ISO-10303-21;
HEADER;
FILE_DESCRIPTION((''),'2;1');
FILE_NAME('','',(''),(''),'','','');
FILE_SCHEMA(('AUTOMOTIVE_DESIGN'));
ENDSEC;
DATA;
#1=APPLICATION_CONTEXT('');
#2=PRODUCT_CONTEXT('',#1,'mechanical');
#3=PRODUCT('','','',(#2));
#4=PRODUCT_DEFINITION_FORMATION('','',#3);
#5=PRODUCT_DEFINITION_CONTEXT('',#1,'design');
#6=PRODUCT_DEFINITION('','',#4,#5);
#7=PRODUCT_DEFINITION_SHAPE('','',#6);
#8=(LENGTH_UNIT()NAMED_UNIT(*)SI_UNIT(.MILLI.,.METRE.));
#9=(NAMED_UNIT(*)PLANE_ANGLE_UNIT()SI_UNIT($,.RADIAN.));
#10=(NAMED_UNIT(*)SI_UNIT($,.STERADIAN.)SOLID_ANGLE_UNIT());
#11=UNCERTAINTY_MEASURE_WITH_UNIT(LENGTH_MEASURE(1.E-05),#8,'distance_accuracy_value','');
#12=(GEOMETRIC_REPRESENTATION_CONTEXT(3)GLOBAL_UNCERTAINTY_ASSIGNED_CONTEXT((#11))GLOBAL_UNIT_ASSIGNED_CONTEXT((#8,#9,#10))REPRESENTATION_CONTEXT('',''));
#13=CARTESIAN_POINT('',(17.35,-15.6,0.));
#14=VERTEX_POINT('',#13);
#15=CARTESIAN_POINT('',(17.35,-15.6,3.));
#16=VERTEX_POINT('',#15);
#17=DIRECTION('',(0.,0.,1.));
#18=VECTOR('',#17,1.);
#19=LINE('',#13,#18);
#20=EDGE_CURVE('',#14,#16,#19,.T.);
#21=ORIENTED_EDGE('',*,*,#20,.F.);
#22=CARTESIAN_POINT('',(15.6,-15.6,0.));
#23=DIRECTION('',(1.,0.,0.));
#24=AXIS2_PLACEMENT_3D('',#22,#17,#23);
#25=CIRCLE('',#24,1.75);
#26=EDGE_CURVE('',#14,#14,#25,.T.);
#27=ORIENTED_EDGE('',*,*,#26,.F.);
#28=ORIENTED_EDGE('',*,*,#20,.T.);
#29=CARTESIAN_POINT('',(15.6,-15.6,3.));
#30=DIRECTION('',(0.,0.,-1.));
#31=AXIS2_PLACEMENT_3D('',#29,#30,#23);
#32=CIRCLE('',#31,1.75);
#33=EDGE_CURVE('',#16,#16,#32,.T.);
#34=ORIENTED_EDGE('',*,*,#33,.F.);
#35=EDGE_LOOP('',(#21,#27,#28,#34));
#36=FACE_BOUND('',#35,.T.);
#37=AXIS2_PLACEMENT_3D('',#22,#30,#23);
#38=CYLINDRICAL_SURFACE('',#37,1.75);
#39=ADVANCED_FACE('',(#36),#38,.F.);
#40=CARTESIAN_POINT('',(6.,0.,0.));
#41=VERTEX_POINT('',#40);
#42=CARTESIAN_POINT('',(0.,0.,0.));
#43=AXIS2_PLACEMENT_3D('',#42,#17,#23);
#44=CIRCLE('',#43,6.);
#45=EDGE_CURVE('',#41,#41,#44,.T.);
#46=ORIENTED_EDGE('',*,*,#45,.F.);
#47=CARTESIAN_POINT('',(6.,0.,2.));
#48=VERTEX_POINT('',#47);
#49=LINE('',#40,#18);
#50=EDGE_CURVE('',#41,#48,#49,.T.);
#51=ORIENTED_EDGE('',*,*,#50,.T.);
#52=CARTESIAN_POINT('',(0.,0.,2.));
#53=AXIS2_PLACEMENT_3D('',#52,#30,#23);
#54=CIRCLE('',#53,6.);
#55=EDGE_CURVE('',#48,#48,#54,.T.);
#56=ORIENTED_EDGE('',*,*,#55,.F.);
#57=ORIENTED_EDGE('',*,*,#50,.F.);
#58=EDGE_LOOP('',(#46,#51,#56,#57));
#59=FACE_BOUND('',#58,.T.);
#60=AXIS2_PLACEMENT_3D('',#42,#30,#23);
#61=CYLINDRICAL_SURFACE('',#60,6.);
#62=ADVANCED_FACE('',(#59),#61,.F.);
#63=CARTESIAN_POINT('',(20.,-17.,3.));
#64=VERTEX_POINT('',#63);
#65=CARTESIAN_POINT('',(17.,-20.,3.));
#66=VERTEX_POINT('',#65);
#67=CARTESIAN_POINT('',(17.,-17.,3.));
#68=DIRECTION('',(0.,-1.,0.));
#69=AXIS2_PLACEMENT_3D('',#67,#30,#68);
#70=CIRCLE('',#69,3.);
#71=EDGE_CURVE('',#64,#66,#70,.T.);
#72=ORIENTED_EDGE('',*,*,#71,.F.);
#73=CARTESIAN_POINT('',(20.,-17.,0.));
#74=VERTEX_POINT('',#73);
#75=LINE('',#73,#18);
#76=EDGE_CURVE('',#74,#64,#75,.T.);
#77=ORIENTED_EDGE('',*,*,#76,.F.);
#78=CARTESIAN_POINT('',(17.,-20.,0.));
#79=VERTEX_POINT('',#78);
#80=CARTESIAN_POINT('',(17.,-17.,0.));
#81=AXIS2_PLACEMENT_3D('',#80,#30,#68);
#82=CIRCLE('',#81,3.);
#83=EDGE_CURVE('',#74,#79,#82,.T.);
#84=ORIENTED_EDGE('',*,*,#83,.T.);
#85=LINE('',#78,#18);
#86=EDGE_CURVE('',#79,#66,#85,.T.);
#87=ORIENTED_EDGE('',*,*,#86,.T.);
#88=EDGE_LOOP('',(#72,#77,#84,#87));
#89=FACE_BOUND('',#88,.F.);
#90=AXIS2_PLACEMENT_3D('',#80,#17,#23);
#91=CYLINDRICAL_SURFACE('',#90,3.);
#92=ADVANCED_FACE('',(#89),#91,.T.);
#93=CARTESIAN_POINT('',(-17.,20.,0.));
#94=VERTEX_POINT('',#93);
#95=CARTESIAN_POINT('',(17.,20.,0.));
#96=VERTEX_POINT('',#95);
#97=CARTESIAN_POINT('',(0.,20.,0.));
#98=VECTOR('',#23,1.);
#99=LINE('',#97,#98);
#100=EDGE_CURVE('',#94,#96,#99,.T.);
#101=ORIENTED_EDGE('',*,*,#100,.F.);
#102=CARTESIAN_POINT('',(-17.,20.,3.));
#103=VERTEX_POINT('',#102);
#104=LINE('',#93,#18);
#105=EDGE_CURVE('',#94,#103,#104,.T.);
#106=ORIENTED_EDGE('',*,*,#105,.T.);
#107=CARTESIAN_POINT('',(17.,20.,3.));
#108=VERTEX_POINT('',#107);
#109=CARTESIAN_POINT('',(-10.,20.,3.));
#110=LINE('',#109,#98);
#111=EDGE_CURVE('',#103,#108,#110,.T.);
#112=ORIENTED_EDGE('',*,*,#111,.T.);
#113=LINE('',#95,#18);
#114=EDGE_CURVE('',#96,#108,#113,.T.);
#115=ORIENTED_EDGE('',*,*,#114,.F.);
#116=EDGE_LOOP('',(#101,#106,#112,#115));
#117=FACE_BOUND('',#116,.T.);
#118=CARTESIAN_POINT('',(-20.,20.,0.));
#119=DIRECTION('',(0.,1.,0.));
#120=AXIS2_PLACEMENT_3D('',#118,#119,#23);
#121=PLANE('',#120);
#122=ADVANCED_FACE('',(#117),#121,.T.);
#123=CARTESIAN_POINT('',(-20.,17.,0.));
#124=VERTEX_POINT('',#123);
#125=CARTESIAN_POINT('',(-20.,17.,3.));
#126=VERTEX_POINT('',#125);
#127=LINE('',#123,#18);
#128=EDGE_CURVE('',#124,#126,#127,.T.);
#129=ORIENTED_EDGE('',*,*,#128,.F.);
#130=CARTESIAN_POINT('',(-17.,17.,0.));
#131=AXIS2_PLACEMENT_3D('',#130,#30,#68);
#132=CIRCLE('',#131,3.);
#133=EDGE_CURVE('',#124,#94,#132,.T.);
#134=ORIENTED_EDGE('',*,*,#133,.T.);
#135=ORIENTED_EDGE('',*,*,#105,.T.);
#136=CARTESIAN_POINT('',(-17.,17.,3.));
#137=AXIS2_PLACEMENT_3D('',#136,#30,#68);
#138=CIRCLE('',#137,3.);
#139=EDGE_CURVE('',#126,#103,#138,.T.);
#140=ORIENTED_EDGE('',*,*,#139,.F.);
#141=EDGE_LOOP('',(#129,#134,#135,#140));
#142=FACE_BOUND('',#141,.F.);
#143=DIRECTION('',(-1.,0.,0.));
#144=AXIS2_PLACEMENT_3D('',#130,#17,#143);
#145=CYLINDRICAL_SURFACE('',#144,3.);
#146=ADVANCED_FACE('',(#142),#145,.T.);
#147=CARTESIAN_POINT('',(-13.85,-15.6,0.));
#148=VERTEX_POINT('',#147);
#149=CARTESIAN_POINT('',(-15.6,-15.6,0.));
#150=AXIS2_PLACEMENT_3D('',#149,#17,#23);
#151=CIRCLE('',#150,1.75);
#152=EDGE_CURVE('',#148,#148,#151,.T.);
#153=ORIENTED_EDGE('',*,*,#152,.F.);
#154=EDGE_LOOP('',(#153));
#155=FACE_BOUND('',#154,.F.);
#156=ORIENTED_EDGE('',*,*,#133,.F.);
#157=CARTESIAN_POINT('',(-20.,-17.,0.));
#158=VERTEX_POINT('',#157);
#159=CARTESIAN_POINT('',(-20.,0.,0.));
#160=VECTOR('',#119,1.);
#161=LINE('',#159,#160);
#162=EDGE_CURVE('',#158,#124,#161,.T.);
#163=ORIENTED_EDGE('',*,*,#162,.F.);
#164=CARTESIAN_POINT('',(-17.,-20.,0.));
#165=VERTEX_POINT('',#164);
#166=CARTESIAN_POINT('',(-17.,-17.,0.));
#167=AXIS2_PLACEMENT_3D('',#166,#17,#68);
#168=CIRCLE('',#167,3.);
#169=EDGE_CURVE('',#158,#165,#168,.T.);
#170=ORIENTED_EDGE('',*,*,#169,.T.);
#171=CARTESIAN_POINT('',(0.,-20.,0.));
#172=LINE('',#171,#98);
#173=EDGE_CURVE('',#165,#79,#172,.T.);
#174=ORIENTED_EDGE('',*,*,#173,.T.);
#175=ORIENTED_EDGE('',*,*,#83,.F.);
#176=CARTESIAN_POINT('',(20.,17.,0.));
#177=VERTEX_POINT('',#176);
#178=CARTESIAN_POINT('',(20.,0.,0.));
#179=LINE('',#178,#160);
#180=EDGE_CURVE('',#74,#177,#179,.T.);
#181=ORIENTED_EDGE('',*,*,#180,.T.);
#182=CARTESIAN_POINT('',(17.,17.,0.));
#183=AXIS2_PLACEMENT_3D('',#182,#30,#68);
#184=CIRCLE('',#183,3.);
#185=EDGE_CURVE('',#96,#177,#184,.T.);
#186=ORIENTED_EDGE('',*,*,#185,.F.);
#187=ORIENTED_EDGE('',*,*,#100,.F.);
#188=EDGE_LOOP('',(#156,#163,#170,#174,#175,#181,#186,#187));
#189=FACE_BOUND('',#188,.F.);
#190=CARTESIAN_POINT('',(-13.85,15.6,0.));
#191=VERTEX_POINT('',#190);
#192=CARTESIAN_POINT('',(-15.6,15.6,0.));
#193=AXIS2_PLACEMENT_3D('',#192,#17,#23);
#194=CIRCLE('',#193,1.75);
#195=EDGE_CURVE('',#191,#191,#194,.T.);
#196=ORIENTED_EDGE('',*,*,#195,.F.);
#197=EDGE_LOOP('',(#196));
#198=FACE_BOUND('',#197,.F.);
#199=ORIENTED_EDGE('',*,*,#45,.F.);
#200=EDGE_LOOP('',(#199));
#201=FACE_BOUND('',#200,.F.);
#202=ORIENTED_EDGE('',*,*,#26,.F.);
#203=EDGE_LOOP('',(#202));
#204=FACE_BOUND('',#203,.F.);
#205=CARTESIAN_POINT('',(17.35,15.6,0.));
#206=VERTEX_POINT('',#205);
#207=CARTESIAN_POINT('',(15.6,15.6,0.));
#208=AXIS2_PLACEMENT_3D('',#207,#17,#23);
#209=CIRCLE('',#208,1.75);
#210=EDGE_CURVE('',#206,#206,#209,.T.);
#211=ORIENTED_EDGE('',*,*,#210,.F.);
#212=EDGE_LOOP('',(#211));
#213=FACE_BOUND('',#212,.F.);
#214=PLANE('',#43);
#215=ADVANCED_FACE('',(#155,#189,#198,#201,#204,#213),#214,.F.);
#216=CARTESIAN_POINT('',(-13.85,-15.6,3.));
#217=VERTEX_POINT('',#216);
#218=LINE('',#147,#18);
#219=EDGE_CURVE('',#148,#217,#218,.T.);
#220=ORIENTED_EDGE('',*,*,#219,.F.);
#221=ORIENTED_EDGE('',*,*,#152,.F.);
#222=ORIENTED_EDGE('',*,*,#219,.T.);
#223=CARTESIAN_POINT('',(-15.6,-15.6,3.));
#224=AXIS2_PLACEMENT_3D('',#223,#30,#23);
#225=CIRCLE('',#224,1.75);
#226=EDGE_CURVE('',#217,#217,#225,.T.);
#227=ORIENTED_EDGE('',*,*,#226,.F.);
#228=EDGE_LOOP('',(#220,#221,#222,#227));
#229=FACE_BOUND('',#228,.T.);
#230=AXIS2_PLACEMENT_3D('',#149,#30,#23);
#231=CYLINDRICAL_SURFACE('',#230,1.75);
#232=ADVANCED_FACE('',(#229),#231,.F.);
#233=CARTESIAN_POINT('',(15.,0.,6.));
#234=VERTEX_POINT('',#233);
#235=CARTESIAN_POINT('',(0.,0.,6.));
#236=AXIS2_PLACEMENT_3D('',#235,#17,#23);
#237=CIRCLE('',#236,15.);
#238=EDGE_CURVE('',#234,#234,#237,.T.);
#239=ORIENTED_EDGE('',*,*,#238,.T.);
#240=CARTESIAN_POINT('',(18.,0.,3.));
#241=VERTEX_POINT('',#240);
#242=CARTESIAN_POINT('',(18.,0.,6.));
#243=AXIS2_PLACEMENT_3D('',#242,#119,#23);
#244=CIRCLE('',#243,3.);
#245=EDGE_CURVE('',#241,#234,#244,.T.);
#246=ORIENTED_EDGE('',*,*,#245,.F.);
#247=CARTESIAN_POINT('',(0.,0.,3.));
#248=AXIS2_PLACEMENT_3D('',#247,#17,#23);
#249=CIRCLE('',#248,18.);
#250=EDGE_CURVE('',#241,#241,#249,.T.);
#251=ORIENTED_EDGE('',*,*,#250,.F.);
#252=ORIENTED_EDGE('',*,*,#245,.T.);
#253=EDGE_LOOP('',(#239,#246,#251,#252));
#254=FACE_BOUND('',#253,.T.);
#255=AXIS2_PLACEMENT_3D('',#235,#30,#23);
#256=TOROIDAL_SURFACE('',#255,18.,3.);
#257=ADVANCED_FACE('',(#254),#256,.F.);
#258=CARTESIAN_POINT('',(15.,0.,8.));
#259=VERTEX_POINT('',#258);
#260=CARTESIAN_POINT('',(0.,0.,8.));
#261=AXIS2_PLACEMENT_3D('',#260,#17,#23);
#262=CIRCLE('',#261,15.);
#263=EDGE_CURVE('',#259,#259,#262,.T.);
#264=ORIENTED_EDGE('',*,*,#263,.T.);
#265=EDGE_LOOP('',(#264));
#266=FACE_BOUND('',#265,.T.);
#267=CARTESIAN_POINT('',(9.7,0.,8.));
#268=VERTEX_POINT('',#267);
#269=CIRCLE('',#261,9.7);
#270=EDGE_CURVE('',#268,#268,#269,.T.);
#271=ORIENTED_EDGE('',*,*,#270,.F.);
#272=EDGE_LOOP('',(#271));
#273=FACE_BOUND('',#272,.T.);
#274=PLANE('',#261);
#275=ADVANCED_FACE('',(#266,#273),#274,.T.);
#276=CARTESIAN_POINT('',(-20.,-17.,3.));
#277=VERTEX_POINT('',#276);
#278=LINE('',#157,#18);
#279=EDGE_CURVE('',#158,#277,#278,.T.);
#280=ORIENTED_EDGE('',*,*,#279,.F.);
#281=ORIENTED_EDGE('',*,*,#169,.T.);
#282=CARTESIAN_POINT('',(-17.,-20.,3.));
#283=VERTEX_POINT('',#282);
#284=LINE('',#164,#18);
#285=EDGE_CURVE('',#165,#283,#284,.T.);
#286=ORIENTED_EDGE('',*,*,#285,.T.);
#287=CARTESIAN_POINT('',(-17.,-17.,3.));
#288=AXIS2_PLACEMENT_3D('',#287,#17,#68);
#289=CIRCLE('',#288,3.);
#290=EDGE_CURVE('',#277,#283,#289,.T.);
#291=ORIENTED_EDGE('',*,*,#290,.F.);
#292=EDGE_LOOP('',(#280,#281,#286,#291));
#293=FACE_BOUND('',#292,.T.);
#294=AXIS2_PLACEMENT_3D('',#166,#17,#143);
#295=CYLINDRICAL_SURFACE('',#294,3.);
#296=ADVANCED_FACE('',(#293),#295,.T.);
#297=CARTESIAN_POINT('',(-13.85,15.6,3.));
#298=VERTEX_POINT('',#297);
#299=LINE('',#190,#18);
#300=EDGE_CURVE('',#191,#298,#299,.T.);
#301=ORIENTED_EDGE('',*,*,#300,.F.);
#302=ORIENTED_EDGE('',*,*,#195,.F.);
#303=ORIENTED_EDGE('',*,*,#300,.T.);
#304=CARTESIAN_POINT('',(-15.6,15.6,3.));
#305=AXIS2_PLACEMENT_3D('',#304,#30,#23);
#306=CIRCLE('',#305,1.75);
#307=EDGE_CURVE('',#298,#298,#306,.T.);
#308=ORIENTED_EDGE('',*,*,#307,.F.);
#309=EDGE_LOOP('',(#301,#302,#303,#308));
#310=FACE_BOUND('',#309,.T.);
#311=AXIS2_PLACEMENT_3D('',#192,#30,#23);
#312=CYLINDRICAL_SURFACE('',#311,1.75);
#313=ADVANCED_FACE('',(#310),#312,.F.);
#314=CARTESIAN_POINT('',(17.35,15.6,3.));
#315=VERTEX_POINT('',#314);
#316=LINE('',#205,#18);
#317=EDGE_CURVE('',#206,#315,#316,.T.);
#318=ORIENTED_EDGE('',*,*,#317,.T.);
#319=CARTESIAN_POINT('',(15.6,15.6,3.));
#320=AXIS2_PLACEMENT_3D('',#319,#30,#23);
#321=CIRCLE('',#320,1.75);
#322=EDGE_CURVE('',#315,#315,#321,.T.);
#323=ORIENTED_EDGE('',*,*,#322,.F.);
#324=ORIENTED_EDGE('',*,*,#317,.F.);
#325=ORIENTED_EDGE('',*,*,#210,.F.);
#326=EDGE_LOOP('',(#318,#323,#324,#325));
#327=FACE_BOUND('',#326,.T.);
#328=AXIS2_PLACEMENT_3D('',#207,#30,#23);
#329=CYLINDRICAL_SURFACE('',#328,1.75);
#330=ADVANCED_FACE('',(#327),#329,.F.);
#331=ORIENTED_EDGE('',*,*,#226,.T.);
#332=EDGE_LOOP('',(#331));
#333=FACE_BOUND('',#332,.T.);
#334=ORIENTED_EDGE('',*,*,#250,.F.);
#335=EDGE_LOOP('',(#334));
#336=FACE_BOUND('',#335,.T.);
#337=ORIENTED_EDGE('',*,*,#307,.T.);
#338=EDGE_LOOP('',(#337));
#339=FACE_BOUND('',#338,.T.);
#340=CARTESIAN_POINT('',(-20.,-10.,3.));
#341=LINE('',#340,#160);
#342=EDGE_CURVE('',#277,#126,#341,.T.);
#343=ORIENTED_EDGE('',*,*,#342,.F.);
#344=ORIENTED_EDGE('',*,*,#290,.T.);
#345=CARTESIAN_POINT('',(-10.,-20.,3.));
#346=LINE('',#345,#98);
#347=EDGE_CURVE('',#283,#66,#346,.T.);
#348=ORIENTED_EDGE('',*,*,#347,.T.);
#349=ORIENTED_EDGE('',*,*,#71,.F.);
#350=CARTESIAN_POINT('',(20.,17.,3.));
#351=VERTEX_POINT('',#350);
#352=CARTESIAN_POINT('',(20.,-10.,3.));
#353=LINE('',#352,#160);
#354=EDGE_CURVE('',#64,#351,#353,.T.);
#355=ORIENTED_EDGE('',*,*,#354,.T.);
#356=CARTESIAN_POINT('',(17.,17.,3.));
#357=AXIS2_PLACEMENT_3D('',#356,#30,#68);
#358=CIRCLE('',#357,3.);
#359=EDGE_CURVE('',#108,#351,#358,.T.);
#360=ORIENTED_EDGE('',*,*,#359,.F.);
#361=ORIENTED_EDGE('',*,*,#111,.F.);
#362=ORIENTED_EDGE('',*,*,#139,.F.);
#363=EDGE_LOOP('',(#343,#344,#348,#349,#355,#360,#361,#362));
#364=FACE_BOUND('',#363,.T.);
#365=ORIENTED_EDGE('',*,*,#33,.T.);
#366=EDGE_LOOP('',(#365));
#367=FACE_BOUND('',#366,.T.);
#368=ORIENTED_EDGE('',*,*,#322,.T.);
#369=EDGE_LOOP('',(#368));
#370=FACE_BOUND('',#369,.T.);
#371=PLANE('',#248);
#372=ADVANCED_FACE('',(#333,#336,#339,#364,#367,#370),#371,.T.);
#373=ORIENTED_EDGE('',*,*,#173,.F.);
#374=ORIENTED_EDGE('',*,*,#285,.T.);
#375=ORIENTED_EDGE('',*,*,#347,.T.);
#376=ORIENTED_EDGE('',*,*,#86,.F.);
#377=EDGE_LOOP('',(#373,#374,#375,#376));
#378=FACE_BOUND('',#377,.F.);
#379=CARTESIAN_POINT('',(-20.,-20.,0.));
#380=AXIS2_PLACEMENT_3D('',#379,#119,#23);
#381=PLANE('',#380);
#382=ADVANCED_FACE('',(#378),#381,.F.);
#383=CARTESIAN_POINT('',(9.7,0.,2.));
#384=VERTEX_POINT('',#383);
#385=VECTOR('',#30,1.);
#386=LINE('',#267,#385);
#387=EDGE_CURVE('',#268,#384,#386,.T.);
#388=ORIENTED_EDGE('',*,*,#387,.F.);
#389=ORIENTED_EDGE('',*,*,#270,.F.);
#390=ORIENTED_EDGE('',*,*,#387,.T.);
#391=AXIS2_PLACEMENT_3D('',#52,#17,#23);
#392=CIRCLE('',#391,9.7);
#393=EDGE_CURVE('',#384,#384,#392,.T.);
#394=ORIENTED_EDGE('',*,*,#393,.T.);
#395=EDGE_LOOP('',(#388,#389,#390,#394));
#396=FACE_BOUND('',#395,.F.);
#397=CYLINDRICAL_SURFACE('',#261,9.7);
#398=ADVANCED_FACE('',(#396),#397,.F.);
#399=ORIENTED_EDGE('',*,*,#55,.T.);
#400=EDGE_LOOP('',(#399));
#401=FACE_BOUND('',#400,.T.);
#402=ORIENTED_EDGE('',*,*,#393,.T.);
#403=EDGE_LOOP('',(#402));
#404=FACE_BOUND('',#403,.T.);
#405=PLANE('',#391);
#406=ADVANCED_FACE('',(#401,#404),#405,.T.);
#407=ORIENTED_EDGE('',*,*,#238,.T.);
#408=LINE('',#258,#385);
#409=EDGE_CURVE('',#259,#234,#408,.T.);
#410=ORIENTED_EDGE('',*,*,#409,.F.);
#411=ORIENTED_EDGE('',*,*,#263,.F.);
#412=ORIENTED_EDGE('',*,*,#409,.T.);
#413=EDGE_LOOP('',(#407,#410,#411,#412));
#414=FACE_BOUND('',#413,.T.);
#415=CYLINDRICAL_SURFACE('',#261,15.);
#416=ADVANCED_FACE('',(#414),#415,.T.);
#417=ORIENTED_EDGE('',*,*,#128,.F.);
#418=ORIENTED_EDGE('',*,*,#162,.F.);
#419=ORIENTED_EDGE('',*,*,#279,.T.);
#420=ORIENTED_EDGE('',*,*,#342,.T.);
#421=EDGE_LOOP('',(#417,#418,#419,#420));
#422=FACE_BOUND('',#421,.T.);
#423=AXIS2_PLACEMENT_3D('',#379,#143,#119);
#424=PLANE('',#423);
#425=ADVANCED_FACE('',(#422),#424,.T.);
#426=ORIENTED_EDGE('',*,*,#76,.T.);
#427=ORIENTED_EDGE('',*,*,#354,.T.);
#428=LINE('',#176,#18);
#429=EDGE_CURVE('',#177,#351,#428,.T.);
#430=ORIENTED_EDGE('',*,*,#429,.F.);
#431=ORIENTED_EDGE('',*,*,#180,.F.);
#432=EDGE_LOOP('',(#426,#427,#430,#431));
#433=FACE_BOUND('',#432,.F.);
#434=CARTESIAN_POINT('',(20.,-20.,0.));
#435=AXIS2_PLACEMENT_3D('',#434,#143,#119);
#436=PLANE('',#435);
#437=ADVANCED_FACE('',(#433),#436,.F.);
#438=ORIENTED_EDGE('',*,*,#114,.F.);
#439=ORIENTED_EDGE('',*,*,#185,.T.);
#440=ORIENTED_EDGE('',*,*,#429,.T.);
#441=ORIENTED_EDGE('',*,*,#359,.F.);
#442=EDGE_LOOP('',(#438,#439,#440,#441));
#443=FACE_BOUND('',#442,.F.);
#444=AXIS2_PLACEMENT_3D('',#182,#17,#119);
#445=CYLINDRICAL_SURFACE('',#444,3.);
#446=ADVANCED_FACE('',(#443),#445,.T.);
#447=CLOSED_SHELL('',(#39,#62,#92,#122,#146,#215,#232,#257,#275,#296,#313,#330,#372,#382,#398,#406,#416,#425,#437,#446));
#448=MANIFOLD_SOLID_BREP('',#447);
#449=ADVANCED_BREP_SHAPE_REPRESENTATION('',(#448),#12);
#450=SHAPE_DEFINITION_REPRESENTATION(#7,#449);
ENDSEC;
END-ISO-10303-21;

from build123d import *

# Parameters (mm, degrees)
SKETCH_W        = 40
SKETCH_H        = 40
SKETCH_R        = 6
SKETCH_R_2      = 1.75
PAD_DEPTH       = 8
SKETCH001_R     = 9.7
POCKET_DEPTH    = 6
SKETCH002_W     = 42
SKETCH002_H     = 42
SKETCH002_R     = 15
POCKET001_DEPTH = 5
FILLET_R        = 3
FILLET001_R     = 3


with BuildPart() as part:
    # Sketch → Pad (new body)
    with BuildSketch(Plane.XY):
        Rectangle(SKETCH_W, SKETCH_H)
        Circle(SKETCH_R, mode=Mode.SUBTRACT)
        with Locations((15.6, 15.6)):
            Circle(SKETCH_R_2, mode=Mode.SUBTRACT)
        with Locations((15.6, -15.6)):
            Circle(SKETCH_R_2, mode=Mode.SUBTRACT)
        with Locations((-15.6, -15.6)):
            Circle(SKETCH_R_2, mode=Mode.SUBTRACT)
        with Locations((-15.6, 15.6)):
            Circle(SKETCH_R_2, mode=Mode.SUBTRACT)
    extrude(amount=PAD_DEPTH)

    # Sketch001 → Pocket (cut)
    with BuildSketch(Plane.XY.offset(8)):
        Circle(SKETCH001_R)
    extrude(amount=-POCKET_DEPTH, mode=Mode.SUBTRACT)

    # Sketch002 → Pocket001 (cut)
    with BuildSketch(Plane.XY.offset(8)):
        Rectangle(SKETCH002_W, SKETCH002_H)
        Circle(SKETCH002_R, mode=Mode.SUBTRACT)
    extrude(amount=-POCKET001_DEPTH, mode=Mode.SUBTRACT)

    # Fillet
    fillet_edges = [part.edges().sort_by_distance(p)[0] for p in [
        (-15, 0, 3),
    ]]
    fillet(fillet_edges, radius=FILLET_R)

    # Fillet001
    fillet001_edges = [part.edges().sort_by_distance(p)[0] for p in [
        (-20, 20, 1.5),
        (20, 20, 1.5),
        (20, -20, 1.5),
        (-20, -20, 1.5),
    ]]
    fillet(fillet001_edges, radius=FILLET001_R)


solid = part.part
